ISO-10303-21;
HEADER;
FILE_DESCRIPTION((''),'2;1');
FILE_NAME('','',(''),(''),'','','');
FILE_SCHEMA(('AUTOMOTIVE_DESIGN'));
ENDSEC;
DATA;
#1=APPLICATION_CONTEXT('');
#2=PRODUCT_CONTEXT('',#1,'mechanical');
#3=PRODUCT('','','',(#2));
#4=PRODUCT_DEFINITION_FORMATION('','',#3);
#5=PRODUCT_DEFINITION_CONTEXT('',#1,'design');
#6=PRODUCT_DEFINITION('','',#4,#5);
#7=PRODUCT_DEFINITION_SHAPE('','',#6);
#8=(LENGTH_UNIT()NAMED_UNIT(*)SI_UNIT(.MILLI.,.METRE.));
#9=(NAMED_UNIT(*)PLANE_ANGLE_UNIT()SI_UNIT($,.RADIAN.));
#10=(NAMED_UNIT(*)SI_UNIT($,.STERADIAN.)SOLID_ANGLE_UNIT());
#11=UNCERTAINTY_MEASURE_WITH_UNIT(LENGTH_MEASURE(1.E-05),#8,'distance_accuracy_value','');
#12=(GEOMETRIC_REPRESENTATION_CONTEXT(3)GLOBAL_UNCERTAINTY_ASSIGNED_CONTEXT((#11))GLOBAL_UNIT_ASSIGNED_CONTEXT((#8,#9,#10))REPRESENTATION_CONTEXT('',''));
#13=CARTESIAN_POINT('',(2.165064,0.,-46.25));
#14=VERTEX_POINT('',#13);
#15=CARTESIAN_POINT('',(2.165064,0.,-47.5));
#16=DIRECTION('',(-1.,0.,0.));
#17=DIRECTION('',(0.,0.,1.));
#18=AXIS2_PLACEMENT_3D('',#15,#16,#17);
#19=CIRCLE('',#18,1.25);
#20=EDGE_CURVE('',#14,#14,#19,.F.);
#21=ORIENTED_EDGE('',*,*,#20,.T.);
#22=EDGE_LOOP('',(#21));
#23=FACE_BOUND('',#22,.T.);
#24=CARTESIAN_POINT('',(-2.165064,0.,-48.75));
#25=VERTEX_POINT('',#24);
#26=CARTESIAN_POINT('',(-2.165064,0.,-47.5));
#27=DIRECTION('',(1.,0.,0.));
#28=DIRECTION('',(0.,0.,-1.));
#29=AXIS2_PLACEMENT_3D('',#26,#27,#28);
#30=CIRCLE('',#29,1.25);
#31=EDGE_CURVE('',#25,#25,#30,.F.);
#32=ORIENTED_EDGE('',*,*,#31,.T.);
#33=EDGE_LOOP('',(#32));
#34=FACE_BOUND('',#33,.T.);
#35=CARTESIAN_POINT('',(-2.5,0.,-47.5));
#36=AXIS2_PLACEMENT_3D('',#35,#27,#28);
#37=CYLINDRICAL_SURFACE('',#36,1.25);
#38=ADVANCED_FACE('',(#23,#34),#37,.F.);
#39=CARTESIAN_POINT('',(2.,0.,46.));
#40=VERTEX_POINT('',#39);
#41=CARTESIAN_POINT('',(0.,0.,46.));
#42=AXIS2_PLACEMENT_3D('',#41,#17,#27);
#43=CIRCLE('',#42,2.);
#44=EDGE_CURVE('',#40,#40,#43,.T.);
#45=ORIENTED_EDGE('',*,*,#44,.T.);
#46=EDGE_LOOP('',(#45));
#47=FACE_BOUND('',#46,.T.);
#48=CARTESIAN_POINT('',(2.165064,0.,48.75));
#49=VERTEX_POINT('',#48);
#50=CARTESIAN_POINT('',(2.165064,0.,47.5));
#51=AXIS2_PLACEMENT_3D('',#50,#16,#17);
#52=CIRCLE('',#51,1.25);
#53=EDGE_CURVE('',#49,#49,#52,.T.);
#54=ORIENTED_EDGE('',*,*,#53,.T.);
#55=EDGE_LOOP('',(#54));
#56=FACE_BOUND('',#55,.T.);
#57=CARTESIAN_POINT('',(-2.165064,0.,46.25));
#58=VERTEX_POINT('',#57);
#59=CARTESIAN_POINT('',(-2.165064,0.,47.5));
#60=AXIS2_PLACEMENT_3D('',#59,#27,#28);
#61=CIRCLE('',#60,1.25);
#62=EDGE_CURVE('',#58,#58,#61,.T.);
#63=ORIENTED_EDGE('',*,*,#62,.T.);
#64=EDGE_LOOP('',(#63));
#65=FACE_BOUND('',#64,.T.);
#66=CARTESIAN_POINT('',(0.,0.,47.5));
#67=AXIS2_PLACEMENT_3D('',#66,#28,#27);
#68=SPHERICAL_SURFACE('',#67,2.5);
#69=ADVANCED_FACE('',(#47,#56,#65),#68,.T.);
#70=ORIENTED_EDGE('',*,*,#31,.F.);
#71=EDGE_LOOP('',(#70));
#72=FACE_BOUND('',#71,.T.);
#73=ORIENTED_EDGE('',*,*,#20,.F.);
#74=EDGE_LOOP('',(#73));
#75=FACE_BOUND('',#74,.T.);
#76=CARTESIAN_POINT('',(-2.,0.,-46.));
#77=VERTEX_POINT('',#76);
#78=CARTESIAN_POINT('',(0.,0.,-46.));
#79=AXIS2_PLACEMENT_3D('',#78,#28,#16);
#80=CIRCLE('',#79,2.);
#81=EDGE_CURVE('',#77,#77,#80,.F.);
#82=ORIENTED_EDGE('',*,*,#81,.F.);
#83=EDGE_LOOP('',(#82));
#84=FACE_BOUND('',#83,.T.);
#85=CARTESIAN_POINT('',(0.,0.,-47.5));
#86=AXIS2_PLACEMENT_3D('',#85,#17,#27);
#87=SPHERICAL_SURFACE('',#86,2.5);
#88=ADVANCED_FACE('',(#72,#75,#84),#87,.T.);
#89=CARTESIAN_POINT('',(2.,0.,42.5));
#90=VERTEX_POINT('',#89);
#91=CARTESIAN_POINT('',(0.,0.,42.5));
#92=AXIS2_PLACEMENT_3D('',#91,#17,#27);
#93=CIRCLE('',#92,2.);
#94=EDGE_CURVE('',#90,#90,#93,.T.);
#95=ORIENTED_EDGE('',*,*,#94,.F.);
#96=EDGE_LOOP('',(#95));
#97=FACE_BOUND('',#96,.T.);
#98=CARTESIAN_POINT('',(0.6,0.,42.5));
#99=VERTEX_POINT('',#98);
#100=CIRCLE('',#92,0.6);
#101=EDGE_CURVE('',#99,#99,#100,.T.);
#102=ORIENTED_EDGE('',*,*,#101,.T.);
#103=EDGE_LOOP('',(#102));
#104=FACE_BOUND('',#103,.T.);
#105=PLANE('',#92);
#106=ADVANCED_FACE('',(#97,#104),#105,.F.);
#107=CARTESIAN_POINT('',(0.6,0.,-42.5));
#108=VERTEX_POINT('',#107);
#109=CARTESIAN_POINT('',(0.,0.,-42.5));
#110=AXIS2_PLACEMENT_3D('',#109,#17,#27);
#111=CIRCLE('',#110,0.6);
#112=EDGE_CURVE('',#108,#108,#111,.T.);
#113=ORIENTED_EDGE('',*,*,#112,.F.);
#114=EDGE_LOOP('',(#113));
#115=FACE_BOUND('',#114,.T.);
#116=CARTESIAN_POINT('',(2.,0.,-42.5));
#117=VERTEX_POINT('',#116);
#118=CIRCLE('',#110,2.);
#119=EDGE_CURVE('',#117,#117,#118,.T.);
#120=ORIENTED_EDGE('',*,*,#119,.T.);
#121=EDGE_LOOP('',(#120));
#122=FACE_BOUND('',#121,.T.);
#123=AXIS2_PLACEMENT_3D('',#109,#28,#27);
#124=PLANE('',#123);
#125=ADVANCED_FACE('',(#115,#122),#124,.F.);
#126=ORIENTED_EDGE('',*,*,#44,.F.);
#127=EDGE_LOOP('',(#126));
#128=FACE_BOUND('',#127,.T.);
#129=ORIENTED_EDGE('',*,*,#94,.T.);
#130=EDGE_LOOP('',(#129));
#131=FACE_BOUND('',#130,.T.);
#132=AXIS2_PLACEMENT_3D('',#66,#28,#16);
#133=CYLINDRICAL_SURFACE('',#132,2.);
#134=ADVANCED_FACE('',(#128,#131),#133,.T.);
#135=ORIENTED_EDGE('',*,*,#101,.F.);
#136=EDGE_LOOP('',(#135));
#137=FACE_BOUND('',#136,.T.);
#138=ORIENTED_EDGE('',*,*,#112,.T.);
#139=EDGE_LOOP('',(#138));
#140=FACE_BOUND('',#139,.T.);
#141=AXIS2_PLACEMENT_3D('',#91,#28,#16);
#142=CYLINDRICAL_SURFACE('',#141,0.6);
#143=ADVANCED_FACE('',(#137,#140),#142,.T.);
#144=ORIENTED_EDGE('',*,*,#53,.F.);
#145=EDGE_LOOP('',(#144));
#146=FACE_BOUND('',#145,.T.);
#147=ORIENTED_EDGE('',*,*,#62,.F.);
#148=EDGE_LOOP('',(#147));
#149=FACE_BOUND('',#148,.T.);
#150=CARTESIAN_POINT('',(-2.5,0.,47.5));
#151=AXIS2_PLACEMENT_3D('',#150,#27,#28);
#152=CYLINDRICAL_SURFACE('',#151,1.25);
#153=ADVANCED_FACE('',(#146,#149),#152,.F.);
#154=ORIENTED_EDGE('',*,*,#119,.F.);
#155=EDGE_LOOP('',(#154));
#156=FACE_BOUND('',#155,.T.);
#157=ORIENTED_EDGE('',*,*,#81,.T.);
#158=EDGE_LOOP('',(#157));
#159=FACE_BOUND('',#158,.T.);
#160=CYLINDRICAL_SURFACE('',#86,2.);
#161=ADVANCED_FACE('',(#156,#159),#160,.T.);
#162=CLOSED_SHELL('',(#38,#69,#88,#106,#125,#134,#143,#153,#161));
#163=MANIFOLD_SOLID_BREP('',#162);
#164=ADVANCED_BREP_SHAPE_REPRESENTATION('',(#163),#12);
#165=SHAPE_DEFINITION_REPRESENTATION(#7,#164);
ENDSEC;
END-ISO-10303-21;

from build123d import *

# Parameters (mm, degrees)
SKETCH1_R           = 0.6
BOSS_EXTRUDE1_DEPTH = 42.5
SKETCH2_R           = 2
BOSS_EXTRUDE2_DEPTH = 5
SKETCH6_R           = 1.25
CUT_EXTRUDE2_DEPTH  = 51.124844139


with BuildPart() as part:
    # Sketch1 → Boss-Extrude1 (new, symmetric)
    with BuildSketch(Plane.XY):
        Circle(SKETCH1_R)
    extrude(amount=BOSS_EXTRUDE1_DEPTH, both=True)

    # Sketch2 → Boss-Extrude2 (add)
    with BuildSketch(Plane.XY.offset(42.5)):
        Circle(SKETCH2_R)
    boss_extrude2 = extrude(amount=BOSS_EXTRUDE2_DEPTH)

    # Sketch3 → Revolve1 (revolve)
    with BuildSketch(Plane(origin=(0, 0, 0), x_dir=(1, 0, 0), z_dir=(0, 1, 0))):
        with BuildLine():
            Line((0, -45), (0, -50))
            ThreePointArc((0, -50), (2.5, -47.5), (0, -45))
        make_face()
    revolve1 = revolve(axis=Axis((0, 0, 45), (0, 0, 1)))

    # Sketch6 → Cut-Extrude2 (cut, symmetric)
    with BuildSketch(Plane(origin=(0, 0, 0), x_dir=(0, 0, -1), z_dir=(1, 0, 0))):
        with Locations((-47.5, 0)):
            Circle(SKETCH6_R)
    cut_extrude2 = extrude(amount=CUT_EXTRUDE2_DEPTH, both=True, mode=Mode.SUBTRACT)

    # Mirror1: Boss-Extrude2, Revolve1, Cut-Extrude2 across plane
    add(boss_extrude2.mirror(Plane.XY))
    add(revolve1.mirror(Plane.XY))
    add(cut_extrude2.mirror(Plane.XY), mode=Mode.SUBTRACT)


solid = part.part
